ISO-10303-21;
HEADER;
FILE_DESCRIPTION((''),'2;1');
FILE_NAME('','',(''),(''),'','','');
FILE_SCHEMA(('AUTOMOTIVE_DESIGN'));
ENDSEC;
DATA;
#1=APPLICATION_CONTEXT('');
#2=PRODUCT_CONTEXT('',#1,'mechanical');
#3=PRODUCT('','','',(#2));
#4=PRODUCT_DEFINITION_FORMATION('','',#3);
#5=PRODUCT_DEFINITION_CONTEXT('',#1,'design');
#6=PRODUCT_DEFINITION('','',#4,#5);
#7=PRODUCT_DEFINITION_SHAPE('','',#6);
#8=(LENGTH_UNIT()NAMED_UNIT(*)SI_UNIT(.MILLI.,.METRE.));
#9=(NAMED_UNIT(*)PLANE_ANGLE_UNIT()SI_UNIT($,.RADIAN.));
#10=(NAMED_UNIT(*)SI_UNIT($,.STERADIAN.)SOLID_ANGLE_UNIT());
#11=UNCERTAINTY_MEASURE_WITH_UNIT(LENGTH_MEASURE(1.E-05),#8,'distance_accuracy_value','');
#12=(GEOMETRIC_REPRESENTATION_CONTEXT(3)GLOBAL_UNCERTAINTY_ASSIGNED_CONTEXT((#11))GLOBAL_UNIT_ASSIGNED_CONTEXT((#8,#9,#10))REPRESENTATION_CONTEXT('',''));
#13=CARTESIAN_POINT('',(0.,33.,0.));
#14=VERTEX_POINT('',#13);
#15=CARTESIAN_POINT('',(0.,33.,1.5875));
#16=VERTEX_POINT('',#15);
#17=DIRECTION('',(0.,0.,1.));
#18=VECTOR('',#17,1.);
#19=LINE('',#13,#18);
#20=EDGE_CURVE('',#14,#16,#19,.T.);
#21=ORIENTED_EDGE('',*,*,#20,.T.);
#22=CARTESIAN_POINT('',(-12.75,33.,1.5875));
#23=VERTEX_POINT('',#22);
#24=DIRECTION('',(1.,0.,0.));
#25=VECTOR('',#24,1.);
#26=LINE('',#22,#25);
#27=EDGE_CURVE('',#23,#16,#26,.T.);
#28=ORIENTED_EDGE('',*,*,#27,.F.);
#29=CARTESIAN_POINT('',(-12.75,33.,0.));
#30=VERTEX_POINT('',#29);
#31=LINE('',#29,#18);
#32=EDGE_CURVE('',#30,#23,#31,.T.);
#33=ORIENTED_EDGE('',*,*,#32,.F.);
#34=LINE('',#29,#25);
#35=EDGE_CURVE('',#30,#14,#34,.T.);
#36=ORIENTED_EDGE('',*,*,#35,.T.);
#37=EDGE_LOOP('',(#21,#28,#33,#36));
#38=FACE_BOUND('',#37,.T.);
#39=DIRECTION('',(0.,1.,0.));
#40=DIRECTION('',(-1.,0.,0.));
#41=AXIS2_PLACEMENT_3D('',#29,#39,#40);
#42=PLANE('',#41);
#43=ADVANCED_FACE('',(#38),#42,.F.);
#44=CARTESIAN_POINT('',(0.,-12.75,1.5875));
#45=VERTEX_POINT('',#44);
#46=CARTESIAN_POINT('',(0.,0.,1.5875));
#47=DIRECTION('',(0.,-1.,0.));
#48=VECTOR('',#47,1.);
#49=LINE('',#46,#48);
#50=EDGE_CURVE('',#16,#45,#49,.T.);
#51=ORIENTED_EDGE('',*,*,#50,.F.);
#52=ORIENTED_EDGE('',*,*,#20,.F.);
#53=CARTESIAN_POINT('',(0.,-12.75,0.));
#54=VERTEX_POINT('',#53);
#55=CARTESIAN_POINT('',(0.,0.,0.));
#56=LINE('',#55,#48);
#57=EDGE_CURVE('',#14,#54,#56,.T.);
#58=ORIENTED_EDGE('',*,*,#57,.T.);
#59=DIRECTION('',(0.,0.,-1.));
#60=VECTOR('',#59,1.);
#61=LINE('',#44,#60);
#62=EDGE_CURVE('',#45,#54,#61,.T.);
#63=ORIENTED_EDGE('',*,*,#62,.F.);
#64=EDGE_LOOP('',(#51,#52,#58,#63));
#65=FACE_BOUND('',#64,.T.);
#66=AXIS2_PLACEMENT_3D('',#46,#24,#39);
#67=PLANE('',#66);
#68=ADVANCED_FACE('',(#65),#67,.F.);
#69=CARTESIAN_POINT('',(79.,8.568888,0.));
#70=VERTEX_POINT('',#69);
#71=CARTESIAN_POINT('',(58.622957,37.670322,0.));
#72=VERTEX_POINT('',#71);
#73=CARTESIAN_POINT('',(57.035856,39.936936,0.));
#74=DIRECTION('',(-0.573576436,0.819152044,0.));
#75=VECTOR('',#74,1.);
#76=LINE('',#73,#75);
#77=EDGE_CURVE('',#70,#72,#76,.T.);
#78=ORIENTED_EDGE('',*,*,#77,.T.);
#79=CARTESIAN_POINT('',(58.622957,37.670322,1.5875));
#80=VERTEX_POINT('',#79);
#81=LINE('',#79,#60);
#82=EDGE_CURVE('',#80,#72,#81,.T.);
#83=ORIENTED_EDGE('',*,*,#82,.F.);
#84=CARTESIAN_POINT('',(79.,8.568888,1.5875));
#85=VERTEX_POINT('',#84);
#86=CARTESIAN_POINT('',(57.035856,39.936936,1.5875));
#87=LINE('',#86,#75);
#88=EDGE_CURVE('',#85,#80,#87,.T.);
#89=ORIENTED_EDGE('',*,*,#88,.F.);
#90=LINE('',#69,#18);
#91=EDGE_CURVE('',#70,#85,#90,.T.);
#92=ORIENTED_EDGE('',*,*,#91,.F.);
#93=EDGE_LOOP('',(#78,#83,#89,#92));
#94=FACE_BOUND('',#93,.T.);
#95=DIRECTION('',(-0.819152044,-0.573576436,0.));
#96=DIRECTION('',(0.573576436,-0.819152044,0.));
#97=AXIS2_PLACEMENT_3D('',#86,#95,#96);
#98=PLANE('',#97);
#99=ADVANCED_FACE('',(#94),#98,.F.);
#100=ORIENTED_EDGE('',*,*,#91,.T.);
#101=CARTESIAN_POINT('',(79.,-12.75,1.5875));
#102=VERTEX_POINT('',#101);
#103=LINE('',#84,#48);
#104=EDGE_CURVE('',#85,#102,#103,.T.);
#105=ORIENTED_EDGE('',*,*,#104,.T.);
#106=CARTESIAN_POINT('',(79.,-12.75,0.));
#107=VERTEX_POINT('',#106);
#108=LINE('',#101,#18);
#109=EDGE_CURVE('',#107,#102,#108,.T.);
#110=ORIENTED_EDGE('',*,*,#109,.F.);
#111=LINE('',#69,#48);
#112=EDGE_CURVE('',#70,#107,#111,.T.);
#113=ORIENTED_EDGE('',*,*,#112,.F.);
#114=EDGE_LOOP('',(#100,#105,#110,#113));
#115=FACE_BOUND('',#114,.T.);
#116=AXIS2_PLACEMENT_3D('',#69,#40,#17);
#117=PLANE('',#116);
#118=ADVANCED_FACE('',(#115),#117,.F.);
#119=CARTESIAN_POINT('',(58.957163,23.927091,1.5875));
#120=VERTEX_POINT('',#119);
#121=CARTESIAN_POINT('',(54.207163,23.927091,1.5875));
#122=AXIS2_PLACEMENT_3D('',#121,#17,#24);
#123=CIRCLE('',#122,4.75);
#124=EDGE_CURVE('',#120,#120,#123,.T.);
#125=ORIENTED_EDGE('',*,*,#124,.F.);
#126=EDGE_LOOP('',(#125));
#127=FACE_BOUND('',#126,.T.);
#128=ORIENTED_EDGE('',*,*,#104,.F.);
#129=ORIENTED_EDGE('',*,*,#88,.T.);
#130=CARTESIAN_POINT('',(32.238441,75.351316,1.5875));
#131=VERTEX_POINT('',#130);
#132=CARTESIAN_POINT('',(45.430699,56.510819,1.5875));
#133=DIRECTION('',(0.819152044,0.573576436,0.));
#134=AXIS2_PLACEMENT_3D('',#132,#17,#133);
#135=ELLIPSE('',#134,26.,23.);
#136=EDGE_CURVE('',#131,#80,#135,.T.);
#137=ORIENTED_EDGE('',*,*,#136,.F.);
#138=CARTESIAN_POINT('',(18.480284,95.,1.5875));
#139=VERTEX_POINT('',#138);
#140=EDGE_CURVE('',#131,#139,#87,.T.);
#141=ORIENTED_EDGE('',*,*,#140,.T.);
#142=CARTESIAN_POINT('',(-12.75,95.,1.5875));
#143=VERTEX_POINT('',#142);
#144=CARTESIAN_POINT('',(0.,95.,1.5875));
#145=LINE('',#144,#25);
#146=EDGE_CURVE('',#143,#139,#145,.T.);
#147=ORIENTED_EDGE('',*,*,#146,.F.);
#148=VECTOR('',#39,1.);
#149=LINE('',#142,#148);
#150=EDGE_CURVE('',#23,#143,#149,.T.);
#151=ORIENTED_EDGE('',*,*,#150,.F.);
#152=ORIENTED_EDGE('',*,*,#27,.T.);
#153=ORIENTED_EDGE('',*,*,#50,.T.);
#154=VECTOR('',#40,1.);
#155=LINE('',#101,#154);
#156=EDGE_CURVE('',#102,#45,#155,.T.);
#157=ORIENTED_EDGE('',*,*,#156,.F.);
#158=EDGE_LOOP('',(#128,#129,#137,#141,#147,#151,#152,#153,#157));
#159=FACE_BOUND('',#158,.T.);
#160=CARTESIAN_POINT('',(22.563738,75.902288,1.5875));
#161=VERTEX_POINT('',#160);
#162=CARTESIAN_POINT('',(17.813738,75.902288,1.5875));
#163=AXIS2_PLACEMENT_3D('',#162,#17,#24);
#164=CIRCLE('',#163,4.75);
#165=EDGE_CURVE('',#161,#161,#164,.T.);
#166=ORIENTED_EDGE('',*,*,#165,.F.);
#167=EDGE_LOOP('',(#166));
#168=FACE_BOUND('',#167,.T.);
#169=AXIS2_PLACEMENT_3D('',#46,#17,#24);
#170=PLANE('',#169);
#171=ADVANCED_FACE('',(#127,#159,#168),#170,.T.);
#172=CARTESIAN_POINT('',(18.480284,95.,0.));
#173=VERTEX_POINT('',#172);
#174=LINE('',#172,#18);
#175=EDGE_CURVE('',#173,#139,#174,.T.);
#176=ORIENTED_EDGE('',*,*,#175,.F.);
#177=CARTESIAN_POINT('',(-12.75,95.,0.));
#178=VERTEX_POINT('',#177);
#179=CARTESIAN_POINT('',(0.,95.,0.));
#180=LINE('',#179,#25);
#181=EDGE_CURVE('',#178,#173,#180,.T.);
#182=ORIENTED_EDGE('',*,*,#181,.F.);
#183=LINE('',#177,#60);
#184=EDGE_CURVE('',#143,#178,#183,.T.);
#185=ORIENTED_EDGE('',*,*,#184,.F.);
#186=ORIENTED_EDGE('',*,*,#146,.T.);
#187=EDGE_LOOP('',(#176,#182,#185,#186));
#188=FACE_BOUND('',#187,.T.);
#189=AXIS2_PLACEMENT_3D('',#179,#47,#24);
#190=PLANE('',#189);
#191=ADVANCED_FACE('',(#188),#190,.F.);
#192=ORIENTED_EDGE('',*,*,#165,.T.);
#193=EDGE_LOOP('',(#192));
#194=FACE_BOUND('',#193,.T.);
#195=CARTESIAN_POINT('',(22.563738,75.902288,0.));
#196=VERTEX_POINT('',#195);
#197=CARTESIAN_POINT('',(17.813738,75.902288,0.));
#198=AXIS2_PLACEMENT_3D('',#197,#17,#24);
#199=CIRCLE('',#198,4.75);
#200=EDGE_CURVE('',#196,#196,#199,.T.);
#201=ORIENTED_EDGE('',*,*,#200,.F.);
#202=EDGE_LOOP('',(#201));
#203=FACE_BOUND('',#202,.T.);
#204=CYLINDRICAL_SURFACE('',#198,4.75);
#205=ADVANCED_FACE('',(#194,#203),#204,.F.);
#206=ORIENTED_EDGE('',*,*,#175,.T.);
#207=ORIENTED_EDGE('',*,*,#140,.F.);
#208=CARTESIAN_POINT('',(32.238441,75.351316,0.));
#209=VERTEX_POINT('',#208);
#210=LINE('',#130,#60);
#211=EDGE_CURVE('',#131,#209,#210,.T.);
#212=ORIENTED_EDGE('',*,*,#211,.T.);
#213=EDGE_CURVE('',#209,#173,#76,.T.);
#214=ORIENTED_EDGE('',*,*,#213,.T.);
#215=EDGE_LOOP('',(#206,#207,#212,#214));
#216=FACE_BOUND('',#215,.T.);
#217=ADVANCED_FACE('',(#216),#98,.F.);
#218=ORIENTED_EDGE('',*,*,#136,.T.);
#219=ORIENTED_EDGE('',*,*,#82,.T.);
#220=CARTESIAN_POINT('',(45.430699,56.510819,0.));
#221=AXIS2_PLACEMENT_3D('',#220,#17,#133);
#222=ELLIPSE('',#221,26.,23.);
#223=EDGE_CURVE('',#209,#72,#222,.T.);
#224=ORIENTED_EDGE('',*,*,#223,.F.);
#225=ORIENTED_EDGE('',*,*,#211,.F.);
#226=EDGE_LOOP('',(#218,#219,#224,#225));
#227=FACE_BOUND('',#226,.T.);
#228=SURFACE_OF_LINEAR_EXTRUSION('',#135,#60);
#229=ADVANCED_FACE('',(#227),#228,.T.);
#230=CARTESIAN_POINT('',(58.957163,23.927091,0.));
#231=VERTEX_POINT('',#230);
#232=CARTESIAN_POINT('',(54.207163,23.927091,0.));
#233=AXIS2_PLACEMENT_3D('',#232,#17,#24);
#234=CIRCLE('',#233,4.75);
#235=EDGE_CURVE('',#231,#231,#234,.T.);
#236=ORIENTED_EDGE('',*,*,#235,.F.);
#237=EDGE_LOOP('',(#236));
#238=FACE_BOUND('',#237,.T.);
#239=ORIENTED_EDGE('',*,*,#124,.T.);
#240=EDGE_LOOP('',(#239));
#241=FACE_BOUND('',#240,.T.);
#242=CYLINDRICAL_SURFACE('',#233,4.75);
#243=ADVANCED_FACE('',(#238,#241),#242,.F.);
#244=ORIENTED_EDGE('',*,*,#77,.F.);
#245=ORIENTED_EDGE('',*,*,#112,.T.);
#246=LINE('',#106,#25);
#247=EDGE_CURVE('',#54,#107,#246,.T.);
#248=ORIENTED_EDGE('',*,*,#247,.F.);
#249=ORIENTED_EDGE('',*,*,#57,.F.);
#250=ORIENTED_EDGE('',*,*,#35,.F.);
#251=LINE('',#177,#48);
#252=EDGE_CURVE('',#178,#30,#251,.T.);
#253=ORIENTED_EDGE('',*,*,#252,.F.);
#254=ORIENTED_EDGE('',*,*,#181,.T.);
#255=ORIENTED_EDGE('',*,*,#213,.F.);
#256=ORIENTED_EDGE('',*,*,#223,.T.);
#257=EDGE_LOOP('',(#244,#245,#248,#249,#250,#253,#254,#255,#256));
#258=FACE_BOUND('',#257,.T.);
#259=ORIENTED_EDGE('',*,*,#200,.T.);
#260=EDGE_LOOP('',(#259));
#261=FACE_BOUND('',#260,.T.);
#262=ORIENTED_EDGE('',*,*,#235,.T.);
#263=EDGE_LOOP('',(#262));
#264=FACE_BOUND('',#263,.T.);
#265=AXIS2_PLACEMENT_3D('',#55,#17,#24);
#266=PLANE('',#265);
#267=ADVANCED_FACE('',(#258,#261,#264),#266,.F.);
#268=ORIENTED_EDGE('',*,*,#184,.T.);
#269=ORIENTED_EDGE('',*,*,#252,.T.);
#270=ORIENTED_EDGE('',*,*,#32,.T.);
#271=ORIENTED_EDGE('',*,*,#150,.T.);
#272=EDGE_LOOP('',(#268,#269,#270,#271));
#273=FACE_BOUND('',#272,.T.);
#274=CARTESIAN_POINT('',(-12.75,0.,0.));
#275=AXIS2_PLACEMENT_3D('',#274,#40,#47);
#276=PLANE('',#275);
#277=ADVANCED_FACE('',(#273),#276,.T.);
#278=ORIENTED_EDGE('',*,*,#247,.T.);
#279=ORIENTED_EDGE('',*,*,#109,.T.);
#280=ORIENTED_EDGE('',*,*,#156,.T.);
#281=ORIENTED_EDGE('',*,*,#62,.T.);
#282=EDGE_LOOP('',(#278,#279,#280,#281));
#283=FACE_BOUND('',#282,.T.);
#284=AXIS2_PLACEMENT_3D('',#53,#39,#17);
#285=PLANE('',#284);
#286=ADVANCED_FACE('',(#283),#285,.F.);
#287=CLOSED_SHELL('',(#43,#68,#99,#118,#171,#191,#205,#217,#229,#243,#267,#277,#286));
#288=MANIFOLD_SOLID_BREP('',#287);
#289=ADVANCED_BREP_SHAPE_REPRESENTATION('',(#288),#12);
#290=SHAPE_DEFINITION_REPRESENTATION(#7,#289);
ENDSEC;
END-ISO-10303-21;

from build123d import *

# Parameters (mm, degrees)
BOSS_EXTRUDE1_DEPTH = 1.5875
SKETCH2_R           = 4.75
CUT_EXTRUDE1_DEPTH  = 135.08080599
CUT_EXTRUDE2_DEPTH  = 135.08080599
SKETCH4_W           = 1.5875
SKETCH4_H           = 62
BOSS_EXTRUDE2_DEPTH = 12.75
SKETCH5_W           = 79
SKETCH5_H           = 1.5875
BOSS_EXTRUDE3_DEPTH = 12.75


with BuildPart() as part:
    # Sketch1 → Boss-Extrude1 (new body)
    with BuildSketch(Plane.XY):
        with BuildLine():
            add(Edge.make_bspline(
                [(32.238440812, 75.351315587), (10.94048766, 60.438328242), (24.132745696, 41.597831224), (37.325003732, 22.757334205), (58.622956884, 37.67032155)],
                knots=[1.570796327, 1.570796327, 1.570796327, 3.141592654, 3.141592654, 4.71238898, 4.71238898, 4.71238898], degree=2, weights=[1, 0.707106781, 1, 0.707106781, 1]))
            Line((58.622956884, 37.67032155), (85, 0))
            Line((85, 0), (0, 0))
            Line((0, 0), (0, 95))
            Line((0, 95), (12.400456604, 103.682893191))
            Line((12.400456604, 103.682893191), (32.238440812, 75.351315587))
        make_face()
    extrude(amount=BOSS_EXTRUDE1_DEPTH)

    # Sketch2 → Cut-Extrude1 (cut, through all)
    with BuildSketch(Plane.XY.offset(1.5875)):
        with Locations((17.813737895, 75.902288156)):
            Circle(SKETCH2_R)
        with Locations((54.207162782, 23.927090946)):
            Circle(SKETCH2_R)
    extrude(amount=-CUT_EXTRUDE1_DEPTH, mode=Mode.SUBTRACT)

    # Sketch3 → Cut-Extrude2 (cut, through all)
    with BuildSketch(Plane.XY.offset(1.5875)):
        Polygon((79, 8.56888804), (79, 0), (85, 0), align=None)
        Polygon((0, 95), (18.48028387, 95), (12.400456604, 103.682893191), align=None)
    extrude(amount=-CUT_EXTRUDE2_DEPTH, mode=Mode.SUBTRACT)

    # Sketch4 → Boss-Extrude2 (add)
    with BuildSketch(Plane.ZY):
        with Locations((0.79375, 64)):
            Rectangle(SKETCH4_W, SKETCH4_H)
    extrude(amount=BOSS_EXTRUDE2_DEPTH)

    # Sketch5 → Boss-Extrude3 (add)
    with BuildSketch(Plane.XZ):
        with Locations((39.5, 0.79375)):
            Rectangle(SKETCH5_W, SKETCH5_H)
    extrude(amount=BOSS_EXTRUDE3_DEPTH)


solid = part.part
